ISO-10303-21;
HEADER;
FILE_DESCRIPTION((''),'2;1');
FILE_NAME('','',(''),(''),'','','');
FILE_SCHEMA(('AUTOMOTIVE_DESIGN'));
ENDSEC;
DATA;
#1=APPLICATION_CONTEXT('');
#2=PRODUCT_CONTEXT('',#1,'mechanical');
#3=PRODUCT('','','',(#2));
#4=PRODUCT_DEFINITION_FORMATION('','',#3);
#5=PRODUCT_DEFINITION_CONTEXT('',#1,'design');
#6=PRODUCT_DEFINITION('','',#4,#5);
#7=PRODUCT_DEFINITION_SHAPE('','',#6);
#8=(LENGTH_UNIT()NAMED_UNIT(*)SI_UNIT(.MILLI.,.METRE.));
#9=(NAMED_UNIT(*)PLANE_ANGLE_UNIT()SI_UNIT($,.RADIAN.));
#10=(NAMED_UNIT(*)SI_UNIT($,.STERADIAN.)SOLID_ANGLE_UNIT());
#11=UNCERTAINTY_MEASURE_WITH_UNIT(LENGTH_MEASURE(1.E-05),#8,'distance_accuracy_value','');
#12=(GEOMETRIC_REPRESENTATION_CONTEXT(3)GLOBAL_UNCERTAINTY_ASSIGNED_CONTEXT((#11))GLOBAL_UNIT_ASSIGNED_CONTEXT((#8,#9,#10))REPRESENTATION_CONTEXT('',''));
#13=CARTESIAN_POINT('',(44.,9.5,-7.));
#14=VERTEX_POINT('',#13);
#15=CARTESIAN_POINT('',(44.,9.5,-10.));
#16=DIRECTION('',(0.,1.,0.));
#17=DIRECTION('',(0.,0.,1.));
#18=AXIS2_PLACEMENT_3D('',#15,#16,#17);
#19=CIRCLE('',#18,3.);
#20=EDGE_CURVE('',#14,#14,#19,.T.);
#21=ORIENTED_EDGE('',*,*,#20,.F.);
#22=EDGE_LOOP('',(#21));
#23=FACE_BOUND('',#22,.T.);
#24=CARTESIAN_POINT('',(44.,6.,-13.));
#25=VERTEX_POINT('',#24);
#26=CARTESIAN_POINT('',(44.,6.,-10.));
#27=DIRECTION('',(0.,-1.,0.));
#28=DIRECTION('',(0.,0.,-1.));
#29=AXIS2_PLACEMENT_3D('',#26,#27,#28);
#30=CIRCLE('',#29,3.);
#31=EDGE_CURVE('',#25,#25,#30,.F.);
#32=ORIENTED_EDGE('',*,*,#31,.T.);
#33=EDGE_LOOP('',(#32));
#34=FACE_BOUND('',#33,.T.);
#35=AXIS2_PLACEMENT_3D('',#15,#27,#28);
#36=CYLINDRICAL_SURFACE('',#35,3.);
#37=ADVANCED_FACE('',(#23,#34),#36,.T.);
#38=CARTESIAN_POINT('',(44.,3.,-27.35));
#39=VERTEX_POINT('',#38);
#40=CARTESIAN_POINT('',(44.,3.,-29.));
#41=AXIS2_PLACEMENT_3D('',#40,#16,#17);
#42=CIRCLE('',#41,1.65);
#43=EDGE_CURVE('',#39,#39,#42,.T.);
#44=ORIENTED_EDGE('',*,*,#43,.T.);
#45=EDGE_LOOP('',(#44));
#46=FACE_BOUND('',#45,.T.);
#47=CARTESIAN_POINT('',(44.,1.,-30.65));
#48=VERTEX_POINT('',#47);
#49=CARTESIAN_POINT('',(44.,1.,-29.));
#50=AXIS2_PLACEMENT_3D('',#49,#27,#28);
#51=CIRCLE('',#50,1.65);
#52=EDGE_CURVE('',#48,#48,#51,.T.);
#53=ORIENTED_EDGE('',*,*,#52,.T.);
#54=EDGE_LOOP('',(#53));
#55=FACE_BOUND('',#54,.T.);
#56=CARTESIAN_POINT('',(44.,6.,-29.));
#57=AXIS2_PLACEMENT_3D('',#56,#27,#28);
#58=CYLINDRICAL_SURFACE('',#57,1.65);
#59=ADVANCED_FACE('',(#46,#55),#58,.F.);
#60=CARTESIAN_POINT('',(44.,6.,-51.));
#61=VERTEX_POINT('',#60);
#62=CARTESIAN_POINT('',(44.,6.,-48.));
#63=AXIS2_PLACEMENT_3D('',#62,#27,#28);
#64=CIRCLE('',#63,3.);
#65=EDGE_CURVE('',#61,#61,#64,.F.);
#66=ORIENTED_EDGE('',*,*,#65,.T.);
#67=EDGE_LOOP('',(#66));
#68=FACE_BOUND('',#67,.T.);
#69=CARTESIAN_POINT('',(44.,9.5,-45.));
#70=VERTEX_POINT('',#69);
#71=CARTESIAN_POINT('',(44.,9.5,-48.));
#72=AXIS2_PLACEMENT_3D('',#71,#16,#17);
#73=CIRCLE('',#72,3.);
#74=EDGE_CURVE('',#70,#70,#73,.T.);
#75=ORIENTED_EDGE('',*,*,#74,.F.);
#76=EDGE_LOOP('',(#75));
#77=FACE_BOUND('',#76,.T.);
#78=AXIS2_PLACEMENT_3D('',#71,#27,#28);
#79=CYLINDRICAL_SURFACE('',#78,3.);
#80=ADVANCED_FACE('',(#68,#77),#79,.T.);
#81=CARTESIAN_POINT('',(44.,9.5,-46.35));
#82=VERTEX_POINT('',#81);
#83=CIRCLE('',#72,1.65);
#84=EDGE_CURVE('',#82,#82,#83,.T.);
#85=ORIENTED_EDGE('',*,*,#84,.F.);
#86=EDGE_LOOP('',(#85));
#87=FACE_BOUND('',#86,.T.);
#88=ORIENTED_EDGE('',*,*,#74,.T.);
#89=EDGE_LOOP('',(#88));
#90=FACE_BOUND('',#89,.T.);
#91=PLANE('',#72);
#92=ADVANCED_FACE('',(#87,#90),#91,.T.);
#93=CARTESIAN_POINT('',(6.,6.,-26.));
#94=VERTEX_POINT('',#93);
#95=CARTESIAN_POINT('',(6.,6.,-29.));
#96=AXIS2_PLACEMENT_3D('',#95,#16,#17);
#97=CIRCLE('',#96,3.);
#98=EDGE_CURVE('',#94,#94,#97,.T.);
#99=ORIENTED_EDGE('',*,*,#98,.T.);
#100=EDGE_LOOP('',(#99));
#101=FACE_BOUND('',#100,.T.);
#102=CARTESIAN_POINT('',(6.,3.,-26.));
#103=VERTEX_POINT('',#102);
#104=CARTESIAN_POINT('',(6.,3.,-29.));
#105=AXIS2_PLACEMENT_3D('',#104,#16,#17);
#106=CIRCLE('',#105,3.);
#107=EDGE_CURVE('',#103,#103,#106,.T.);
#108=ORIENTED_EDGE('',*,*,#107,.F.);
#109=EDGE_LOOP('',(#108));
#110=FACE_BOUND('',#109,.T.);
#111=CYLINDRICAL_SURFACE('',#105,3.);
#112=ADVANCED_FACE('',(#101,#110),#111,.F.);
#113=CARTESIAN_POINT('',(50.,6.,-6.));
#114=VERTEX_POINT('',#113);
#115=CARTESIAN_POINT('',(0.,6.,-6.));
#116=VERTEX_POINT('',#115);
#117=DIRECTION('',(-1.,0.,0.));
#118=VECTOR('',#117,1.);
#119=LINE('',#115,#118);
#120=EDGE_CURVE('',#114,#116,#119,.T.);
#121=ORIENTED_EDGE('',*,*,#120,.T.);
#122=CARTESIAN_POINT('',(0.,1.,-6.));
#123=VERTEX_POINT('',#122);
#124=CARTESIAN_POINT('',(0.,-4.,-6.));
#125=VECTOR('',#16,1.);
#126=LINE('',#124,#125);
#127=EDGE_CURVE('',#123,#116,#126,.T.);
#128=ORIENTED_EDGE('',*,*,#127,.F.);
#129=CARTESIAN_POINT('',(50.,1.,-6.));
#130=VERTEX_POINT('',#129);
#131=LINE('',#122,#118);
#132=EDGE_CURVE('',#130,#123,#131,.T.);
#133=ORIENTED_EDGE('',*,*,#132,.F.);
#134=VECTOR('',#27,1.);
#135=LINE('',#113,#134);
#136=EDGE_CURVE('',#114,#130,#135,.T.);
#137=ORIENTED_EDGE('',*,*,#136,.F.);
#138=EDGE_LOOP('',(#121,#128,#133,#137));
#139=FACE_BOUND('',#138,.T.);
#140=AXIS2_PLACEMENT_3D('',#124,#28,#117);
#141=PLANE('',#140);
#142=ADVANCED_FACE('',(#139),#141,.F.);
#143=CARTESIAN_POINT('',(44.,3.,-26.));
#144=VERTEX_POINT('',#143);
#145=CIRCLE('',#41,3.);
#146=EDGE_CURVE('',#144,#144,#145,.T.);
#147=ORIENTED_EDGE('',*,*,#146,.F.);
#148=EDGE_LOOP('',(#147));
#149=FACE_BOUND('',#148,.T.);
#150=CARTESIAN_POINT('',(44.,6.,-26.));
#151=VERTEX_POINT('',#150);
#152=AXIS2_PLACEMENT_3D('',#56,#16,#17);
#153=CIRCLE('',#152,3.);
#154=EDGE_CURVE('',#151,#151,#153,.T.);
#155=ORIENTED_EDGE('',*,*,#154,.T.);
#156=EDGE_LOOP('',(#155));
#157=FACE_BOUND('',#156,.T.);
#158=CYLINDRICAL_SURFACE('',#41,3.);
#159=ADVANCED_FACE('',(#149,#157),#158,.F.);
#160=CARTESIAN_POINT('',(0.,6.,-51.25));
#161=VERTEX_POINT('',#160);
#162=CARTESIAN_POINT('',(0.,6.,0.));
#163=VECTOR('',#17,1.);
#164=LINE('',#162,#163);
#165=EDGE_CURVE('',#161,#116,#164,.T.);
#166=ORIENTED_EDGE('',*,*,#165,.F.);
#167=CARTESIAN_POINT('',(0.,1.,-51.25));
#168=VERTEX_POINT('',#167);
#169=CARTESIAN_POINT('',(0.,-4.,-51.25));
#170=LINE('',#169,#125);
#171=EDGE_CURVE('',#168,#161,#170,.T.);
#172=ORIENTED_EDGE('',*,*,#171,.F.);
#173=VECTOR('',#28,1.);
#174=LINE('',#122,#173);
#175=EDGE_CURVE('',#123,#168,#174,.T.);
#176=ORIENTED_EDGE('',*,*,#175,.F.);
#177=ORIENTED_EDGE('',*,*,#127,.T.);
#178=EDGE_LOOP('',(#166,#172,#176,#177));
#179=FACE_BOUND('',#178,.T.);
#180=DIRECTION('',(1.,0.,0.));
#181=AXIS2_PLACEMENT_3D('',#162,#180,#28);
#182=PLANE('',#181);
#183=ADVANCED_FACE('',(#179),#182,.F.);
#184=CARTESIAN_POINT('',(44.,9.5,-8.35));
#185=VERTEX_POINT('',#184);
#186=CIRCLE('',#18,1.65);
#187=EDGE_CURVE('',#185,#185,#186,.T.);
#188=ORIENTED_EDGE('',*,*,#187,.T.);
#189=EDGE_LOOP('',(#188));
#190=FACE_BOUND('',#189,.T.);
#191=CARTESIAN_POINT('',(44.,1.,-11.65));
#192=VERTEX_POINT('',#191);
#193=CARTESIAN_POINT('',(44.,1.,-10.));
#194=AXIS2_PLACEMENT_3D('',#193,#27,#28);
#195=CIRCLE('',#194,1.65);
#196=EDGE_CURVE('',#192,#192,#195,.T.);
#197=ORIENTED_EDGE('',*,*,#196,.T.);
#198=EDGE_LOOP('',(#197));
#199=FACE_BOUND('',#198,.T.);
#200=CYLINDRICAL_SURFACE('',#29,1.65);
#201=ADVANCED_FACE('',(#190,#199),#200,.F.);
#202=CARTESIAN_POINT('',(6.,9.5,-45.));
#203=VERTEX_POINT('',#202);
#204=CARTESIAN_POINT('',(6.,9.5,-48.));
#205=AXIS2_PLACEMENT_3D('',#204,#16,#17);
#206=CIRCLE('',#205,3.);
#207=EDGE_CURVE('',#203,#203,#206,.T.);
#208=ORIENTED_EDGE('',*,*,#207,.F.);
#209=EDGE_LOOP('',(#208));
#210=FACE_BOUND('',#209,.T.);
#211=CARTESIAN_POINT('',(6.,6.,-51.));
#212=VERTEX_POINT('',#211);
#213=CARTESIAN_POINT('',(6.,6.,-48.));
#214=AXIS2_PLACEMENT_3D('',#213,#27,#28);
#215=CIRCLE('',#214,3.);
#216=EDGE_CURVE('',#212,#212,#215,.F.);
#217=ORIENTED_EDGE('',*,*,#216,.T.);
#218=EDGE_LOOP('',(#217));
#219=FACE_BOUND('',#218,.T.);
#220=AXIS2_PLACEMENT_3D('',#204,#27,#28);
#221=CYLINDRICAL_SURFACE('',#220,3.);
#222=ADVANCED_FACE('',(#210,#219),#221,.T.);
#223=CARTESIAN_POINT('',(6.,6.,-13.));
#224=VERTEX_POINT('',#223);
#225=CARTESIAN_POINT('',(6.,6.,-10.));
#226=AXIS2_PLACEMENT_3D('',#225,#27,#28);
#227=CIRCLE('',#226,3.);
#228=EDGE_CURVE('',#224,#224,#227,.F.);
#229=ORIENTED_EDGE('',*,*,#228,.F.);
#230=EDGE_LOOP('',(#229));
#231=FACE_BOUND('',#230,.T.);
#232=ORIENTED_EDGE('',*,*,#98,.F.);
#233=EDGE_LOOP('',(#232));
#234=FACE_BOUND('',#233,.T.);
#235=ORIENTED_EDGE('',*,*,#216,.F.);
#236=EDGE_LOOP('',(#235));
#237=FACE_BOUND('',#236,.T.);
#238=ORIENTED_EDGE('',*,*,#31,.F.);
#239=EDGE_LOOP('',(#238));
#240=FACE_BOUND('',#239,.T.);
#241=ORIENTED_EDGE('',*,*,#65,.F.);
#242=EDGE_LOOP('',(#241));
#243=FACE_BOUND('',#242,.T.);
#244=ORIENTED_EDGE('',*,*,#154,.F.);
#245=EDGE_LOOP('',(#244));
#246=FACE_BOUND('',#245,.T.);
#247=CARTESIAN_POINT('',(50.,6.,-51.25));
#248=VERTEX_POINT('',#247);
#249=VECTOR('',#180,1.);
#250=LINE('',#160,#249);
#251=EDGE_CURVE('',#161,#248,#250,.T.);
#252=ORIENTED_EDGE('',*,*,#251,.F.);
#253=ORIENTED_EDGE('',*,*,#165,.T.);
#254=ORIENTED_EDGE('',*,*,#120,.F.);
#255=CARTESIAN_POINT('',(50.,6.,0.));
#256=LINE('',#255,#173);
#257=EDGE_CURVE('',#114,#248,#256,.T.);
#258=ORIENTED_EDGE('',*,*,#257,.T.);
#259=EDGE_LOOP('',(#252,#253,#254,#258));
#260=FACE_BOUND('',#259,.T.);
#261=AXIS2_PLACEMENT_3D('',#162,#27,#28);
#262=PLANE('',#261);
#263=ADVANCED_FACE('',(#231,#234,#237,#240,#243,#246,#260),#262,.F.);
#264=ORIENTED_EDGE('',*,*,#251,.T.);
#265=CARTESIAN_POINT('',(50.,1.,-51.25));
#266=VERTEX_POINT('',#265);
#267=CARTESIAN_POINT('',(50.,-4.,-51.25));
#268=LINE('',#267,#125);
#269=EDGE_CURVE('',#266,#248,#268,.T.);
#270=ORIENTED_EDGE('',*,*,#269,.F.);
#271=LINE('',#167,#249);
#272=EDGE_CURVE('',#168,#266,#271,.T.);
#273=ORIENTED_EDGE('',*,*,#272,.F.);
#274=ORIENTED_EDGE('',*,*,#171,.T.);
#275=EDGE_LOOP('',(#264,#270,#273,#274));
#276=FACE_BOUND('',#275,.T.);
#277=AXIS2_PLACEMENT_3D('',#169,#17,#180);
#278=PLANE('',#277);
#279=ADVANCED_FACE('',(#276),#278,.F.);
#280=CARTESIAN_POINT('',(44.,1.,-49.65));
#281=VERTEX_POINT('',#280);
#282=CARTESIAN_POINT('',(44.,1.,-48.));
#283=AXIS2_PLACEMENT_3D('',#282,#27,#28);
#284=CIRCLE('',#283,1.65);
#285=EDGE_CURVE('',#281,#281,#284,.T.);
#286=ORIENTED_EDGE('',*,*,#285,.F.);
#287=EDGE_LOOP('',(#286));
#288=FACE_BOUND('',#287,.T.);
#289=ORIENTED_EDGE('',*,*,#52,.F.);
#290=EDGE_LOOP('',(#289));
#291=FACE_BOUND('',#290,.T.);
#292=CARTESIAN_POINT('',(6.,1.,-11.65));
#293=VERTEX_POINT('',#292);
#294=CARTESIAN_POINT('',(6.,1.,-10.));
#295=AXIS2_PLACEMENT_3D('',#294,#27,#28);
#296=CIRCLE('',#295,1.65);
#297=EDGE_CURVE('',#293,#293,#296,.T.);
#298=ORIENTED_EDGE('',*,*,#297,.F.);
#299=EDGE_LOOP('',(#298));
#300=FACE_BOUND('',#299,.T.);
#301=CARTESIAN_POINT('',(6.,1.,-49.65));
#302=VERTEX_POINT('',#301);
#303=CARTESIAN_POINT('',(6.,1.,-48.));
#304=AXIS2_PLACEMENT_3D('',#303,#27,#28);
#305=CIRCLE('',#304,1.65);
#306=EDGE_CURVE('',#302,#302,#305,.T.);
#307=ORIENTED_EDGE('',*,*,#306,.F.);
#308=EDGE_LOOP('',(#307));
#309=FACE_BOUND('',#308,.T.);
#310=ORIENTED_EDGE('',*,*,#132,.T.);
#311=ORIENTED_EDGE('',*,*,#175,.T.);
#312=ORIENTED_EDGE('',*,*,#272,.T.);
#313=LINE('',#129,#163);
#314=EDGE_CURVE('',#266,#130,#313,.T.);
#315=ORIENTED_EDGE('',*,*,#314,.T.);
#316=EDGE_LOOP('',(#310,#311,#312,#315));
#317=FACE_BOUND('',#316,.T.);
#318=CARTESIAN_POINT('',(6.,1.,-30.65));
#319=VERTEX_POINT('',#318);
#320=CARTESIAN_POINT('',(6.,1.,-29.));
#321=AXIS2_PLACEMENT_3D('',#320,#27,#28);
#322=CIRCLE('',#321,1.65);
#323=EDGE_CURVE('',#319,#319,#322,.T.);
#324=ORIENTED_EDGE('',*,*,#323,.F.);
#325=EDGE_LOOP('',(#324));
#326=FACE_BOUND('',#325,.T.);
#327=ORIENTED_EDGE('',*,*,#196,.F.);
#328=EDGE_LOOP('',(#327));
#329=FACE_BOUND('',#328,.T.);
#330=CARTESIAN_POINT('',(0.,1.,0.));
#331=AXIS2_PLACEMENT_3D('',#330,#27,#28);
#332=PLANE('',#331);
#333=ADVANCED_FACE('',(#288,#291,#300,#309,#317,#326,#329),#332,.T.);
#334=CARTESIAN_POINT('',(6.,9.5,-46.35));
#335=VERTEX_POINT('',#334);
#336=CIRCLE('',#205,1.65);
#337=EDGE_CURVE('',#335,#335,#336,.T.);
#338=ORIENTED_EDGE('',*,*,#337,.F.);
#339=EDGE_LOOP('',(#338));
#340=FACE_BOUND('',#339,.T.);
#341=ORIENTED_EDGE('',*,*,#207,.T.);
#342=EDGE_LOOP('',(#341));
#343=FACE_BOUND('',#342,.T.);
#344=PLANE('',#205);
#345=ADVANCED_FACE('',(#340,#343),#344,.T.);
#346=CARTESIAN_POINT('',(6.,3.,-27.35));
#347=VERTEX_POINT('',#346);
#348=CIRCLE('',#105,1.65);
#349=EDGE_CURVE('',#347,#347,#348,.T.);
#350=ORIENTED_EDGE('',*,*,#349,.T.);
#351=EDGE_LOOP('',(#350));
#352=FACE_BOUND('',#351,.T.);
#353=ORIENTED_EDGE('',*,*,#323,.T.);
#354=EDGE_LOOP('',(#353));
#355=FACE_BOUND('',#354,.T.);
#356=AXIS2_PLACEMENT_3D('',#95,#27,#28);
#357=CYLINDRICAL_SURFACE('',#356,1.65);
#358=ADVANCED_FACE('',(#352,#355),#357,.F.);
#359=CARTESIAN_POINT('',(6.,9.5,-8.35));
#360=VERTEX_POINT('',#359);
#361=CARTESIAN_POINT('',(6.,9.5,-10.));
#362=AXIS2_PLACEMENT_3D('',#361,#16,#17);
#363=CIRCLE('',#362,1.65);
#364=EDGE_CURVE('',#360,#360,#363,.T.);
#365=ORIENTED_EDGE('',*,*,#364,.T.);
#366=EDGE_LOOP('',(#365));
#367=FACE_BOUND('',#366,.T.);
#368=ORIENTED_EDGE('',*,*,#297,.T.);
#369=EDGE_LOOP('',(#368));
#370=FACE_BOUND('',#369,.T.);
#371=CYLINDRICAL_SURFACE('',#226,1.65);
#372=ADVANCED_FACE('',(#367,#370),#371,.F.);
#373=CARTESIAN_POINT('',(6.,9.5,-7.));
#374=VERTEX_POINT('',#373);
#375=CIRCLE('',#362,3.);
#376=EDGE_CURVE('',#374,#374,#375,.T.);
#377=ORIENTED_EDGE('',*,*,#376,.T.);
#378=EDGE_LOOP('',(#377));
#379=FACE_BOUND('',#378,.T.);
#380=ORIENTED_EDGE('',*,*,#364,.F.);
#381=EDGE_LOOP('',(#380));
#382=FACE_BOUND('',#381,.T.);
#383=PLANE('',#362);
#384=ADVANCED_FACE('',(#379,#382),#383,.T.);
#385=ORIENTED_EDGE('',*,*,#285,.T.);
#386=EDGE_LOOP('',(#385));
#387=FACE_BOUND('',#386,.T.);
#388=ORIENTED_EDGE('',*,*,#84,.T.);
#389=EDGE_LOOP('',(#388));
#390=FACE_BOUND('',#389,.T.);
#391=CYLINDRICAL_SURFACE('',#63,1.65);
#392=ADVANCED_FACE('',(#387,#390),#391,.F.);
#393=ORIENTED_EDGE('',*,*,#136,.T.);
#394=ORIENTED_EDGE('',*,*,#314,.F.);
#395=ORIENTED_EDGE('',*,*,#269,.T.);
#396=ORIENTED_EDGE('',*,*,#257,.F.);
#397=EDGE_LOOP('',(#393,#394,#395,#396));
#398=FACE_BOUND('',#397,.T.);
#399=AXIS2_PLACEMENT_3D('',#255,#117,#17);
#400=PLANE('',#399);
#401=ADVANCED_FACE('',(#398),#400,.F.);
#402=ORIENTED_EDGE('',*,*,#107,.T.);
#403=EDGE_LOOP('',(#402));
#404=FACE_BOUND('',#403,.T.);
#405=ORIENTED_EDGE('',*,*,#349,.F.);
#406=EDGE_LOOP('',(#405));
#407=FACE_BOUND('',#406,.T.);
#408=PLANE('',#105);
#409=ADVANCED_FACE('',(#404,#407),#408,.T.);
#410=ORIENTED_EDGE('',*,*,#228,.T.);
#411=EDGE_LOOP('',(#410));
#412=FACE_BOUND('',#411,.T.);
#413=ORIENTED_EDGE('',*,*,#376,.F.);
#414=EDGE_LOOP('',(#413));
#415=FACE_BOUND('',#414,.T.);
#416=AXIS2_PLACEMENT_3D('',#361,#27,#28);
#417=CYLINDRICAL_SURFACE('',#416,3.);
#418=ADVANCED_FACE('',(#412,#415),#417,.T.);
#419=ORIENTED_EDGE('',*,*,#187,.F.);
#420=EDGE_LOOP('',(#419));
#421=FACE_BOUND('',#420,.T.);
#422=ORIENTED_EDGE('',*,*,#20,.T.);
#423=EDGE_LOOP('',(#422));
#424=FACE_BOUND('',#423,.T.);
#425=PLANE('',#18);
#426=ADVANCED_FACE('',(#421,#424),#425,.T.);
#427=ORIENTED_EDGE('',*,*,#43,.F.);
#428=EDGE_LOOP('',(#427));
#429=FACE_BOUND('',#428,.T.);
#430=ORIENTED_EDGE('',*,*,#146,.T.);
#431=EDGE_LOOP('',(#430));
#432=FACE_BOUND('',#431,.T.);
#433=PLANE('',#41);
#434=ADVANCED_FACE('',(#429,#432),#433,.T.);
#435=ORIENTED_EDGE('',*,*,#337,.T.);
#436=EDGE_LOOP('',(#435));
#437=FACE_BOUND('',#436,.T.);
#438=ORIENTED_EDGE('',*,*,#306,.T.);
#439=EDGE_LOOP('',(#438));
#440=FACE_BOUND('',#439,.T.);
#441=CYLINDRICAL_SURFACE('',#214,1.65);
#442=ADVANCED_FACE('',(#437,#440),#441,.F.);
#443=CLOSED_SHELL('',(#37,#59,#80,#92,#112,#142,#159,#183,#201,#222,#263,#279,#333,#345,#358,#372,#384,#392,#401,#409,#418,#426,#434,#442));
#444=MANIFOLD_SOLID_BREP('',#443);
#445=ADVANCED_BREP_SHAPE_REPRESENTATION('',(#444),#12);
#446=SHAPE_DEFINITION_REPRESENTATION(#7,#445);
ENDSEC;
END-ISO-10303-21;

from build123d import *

# Parameters (mm, degrees)
SKETCH2_W           = 50
SKETCH2_H           = 55
SKETCH2_R           = 1.65
BOSS_EXTRUDE2_DEPTH = 6
SKETCH4_R           = 3
SKETCH4_R_2         = 1.65
BOSS_EXTRUDE3_DEPTH = 3.5
SKETCH5_R           = 3
CUT_EXTRUDE2_DEPTH  = 3
SKETCH6_W           = 50
SKETCH6_H           = 3.75
SKETCH6_H_2         = 6
CUT_EXTRUDE3_DEPTH  = 10
SKETCH7_W           = 50
SKETCH7_H           = 45.25
CUT_EXTRUDE4_DEPTH  = 1


with BuildPart() as part:
    # Sketch2 → Boss-Extrude2 (new body)
    with BuildSketch(Plane(origin=(0, 0, 0), x_dir=(1, 0, 0), z_dir=(0, 1, 0))):
        with Locations((25, 27.5)):
            Rectangle(SKETCH2_W, SKETCH2_H)
        with Locations((6, 10)):
            Circle(SKETCH2_R, mode=Mode.SUBTRACT)
        with Locations((44, 10)):
            Circle(SKETCH2_R, mode=Mode.SUBTRACT)
        with Locations((44, 48)):
            Circle(SKETCH2_R, mode=Mode.SUBTRACT)
        with Locations((6, 48)):
            Circle(SKETCH2_R, mode=Mode.SUBTRACT)
        with Locations((6, 29)):
            Circle(SKETCH2_R, mode=Mode.SUBTRACT)
        with Locations((44, 29)):
            Circle(SKETCH2_R, mode=Mode.SUBTRACT)
    extrude(amount=BOSS_EXTRUDE2_DEPTH)

    # Sketch4 → Boss-Extrude3 (add)
    with BuildSketch(Plane(origin=(0, 6, 0), x_dir=(1, 0, 0), z_dir=(0, 1, 0))):
        with Locations((6, 10)):
            Circle(SKETCH4_R)
        with Locations((6, 10)):
            Circle(SKETCH4_R_2, mode=Mode.SUBTRACT)
        with Locations((44, 10)):
            Circle(SKETCH4_R)
        with Locations((44, 10)):
            Circle(SKETCH4_R_2, mode=Mode.SUBTRACT)
        with Locations((6, 48)):
            Circle(SKETCH4_R)
        with Locations((6, 48)):
            Circle(SKETCH4_R_2, mode=Mode.SUBTRACT)
        with Locations((44, 48)):
            Circle(SKETCH4_R)
        with Locations((44, 48)):
            Circle(SKETCH4_R_2, mode=Mode.SUBTRACT)
    extrude(amount=BOSS_EXTRUDE3_DEPTH)

    # Sketch5 → Cut-Extrude2 (cut)
    with BuildSketch(Plane(origin=(0, 6, 0), x_dir=(1, 0, 0), z_dir=(0, 1, 0))):
        with Locations((6, 29)):
            Circle(SKETCH5_R)
        with Locations((44, 29)):
            Circle(SKETCH5_R)
    extrude(amount=-CUT_EXTRUDE2_DEPTH, mode=Mode.SUBTRACT)

    # Sketch6 → Cut-Extrude3 (cut)
    with BuildSketch(Plane(origin=(0, 6, 0), x_dir=(1, 0, 0), z_dir=(0, 1, 0))):
        with Locations((25, 53.125)):
            Rectangle(SKETCH6_W, SKETCH6_H)
        with Locations((25, 3)):
            Rectangle(SKETCH6_W, SKETCH6_H_2)
    extrude(amount=-CUT_EXTRUDE3_DEPTH, mode=Mode.SUBTRACT)

    # Sketch7 → Cut-Extrude4 (cut)
    with BuildSketch(Plane.XZ):
        with Locations((25, -28.625)):
            Rectangle(SKETCH7_W, SKETCH7_H)
    extrude(amount=-CUT_EXTRUDE4_DEPTH, mode=Mode.SUBTRACT)


solid = part.part
